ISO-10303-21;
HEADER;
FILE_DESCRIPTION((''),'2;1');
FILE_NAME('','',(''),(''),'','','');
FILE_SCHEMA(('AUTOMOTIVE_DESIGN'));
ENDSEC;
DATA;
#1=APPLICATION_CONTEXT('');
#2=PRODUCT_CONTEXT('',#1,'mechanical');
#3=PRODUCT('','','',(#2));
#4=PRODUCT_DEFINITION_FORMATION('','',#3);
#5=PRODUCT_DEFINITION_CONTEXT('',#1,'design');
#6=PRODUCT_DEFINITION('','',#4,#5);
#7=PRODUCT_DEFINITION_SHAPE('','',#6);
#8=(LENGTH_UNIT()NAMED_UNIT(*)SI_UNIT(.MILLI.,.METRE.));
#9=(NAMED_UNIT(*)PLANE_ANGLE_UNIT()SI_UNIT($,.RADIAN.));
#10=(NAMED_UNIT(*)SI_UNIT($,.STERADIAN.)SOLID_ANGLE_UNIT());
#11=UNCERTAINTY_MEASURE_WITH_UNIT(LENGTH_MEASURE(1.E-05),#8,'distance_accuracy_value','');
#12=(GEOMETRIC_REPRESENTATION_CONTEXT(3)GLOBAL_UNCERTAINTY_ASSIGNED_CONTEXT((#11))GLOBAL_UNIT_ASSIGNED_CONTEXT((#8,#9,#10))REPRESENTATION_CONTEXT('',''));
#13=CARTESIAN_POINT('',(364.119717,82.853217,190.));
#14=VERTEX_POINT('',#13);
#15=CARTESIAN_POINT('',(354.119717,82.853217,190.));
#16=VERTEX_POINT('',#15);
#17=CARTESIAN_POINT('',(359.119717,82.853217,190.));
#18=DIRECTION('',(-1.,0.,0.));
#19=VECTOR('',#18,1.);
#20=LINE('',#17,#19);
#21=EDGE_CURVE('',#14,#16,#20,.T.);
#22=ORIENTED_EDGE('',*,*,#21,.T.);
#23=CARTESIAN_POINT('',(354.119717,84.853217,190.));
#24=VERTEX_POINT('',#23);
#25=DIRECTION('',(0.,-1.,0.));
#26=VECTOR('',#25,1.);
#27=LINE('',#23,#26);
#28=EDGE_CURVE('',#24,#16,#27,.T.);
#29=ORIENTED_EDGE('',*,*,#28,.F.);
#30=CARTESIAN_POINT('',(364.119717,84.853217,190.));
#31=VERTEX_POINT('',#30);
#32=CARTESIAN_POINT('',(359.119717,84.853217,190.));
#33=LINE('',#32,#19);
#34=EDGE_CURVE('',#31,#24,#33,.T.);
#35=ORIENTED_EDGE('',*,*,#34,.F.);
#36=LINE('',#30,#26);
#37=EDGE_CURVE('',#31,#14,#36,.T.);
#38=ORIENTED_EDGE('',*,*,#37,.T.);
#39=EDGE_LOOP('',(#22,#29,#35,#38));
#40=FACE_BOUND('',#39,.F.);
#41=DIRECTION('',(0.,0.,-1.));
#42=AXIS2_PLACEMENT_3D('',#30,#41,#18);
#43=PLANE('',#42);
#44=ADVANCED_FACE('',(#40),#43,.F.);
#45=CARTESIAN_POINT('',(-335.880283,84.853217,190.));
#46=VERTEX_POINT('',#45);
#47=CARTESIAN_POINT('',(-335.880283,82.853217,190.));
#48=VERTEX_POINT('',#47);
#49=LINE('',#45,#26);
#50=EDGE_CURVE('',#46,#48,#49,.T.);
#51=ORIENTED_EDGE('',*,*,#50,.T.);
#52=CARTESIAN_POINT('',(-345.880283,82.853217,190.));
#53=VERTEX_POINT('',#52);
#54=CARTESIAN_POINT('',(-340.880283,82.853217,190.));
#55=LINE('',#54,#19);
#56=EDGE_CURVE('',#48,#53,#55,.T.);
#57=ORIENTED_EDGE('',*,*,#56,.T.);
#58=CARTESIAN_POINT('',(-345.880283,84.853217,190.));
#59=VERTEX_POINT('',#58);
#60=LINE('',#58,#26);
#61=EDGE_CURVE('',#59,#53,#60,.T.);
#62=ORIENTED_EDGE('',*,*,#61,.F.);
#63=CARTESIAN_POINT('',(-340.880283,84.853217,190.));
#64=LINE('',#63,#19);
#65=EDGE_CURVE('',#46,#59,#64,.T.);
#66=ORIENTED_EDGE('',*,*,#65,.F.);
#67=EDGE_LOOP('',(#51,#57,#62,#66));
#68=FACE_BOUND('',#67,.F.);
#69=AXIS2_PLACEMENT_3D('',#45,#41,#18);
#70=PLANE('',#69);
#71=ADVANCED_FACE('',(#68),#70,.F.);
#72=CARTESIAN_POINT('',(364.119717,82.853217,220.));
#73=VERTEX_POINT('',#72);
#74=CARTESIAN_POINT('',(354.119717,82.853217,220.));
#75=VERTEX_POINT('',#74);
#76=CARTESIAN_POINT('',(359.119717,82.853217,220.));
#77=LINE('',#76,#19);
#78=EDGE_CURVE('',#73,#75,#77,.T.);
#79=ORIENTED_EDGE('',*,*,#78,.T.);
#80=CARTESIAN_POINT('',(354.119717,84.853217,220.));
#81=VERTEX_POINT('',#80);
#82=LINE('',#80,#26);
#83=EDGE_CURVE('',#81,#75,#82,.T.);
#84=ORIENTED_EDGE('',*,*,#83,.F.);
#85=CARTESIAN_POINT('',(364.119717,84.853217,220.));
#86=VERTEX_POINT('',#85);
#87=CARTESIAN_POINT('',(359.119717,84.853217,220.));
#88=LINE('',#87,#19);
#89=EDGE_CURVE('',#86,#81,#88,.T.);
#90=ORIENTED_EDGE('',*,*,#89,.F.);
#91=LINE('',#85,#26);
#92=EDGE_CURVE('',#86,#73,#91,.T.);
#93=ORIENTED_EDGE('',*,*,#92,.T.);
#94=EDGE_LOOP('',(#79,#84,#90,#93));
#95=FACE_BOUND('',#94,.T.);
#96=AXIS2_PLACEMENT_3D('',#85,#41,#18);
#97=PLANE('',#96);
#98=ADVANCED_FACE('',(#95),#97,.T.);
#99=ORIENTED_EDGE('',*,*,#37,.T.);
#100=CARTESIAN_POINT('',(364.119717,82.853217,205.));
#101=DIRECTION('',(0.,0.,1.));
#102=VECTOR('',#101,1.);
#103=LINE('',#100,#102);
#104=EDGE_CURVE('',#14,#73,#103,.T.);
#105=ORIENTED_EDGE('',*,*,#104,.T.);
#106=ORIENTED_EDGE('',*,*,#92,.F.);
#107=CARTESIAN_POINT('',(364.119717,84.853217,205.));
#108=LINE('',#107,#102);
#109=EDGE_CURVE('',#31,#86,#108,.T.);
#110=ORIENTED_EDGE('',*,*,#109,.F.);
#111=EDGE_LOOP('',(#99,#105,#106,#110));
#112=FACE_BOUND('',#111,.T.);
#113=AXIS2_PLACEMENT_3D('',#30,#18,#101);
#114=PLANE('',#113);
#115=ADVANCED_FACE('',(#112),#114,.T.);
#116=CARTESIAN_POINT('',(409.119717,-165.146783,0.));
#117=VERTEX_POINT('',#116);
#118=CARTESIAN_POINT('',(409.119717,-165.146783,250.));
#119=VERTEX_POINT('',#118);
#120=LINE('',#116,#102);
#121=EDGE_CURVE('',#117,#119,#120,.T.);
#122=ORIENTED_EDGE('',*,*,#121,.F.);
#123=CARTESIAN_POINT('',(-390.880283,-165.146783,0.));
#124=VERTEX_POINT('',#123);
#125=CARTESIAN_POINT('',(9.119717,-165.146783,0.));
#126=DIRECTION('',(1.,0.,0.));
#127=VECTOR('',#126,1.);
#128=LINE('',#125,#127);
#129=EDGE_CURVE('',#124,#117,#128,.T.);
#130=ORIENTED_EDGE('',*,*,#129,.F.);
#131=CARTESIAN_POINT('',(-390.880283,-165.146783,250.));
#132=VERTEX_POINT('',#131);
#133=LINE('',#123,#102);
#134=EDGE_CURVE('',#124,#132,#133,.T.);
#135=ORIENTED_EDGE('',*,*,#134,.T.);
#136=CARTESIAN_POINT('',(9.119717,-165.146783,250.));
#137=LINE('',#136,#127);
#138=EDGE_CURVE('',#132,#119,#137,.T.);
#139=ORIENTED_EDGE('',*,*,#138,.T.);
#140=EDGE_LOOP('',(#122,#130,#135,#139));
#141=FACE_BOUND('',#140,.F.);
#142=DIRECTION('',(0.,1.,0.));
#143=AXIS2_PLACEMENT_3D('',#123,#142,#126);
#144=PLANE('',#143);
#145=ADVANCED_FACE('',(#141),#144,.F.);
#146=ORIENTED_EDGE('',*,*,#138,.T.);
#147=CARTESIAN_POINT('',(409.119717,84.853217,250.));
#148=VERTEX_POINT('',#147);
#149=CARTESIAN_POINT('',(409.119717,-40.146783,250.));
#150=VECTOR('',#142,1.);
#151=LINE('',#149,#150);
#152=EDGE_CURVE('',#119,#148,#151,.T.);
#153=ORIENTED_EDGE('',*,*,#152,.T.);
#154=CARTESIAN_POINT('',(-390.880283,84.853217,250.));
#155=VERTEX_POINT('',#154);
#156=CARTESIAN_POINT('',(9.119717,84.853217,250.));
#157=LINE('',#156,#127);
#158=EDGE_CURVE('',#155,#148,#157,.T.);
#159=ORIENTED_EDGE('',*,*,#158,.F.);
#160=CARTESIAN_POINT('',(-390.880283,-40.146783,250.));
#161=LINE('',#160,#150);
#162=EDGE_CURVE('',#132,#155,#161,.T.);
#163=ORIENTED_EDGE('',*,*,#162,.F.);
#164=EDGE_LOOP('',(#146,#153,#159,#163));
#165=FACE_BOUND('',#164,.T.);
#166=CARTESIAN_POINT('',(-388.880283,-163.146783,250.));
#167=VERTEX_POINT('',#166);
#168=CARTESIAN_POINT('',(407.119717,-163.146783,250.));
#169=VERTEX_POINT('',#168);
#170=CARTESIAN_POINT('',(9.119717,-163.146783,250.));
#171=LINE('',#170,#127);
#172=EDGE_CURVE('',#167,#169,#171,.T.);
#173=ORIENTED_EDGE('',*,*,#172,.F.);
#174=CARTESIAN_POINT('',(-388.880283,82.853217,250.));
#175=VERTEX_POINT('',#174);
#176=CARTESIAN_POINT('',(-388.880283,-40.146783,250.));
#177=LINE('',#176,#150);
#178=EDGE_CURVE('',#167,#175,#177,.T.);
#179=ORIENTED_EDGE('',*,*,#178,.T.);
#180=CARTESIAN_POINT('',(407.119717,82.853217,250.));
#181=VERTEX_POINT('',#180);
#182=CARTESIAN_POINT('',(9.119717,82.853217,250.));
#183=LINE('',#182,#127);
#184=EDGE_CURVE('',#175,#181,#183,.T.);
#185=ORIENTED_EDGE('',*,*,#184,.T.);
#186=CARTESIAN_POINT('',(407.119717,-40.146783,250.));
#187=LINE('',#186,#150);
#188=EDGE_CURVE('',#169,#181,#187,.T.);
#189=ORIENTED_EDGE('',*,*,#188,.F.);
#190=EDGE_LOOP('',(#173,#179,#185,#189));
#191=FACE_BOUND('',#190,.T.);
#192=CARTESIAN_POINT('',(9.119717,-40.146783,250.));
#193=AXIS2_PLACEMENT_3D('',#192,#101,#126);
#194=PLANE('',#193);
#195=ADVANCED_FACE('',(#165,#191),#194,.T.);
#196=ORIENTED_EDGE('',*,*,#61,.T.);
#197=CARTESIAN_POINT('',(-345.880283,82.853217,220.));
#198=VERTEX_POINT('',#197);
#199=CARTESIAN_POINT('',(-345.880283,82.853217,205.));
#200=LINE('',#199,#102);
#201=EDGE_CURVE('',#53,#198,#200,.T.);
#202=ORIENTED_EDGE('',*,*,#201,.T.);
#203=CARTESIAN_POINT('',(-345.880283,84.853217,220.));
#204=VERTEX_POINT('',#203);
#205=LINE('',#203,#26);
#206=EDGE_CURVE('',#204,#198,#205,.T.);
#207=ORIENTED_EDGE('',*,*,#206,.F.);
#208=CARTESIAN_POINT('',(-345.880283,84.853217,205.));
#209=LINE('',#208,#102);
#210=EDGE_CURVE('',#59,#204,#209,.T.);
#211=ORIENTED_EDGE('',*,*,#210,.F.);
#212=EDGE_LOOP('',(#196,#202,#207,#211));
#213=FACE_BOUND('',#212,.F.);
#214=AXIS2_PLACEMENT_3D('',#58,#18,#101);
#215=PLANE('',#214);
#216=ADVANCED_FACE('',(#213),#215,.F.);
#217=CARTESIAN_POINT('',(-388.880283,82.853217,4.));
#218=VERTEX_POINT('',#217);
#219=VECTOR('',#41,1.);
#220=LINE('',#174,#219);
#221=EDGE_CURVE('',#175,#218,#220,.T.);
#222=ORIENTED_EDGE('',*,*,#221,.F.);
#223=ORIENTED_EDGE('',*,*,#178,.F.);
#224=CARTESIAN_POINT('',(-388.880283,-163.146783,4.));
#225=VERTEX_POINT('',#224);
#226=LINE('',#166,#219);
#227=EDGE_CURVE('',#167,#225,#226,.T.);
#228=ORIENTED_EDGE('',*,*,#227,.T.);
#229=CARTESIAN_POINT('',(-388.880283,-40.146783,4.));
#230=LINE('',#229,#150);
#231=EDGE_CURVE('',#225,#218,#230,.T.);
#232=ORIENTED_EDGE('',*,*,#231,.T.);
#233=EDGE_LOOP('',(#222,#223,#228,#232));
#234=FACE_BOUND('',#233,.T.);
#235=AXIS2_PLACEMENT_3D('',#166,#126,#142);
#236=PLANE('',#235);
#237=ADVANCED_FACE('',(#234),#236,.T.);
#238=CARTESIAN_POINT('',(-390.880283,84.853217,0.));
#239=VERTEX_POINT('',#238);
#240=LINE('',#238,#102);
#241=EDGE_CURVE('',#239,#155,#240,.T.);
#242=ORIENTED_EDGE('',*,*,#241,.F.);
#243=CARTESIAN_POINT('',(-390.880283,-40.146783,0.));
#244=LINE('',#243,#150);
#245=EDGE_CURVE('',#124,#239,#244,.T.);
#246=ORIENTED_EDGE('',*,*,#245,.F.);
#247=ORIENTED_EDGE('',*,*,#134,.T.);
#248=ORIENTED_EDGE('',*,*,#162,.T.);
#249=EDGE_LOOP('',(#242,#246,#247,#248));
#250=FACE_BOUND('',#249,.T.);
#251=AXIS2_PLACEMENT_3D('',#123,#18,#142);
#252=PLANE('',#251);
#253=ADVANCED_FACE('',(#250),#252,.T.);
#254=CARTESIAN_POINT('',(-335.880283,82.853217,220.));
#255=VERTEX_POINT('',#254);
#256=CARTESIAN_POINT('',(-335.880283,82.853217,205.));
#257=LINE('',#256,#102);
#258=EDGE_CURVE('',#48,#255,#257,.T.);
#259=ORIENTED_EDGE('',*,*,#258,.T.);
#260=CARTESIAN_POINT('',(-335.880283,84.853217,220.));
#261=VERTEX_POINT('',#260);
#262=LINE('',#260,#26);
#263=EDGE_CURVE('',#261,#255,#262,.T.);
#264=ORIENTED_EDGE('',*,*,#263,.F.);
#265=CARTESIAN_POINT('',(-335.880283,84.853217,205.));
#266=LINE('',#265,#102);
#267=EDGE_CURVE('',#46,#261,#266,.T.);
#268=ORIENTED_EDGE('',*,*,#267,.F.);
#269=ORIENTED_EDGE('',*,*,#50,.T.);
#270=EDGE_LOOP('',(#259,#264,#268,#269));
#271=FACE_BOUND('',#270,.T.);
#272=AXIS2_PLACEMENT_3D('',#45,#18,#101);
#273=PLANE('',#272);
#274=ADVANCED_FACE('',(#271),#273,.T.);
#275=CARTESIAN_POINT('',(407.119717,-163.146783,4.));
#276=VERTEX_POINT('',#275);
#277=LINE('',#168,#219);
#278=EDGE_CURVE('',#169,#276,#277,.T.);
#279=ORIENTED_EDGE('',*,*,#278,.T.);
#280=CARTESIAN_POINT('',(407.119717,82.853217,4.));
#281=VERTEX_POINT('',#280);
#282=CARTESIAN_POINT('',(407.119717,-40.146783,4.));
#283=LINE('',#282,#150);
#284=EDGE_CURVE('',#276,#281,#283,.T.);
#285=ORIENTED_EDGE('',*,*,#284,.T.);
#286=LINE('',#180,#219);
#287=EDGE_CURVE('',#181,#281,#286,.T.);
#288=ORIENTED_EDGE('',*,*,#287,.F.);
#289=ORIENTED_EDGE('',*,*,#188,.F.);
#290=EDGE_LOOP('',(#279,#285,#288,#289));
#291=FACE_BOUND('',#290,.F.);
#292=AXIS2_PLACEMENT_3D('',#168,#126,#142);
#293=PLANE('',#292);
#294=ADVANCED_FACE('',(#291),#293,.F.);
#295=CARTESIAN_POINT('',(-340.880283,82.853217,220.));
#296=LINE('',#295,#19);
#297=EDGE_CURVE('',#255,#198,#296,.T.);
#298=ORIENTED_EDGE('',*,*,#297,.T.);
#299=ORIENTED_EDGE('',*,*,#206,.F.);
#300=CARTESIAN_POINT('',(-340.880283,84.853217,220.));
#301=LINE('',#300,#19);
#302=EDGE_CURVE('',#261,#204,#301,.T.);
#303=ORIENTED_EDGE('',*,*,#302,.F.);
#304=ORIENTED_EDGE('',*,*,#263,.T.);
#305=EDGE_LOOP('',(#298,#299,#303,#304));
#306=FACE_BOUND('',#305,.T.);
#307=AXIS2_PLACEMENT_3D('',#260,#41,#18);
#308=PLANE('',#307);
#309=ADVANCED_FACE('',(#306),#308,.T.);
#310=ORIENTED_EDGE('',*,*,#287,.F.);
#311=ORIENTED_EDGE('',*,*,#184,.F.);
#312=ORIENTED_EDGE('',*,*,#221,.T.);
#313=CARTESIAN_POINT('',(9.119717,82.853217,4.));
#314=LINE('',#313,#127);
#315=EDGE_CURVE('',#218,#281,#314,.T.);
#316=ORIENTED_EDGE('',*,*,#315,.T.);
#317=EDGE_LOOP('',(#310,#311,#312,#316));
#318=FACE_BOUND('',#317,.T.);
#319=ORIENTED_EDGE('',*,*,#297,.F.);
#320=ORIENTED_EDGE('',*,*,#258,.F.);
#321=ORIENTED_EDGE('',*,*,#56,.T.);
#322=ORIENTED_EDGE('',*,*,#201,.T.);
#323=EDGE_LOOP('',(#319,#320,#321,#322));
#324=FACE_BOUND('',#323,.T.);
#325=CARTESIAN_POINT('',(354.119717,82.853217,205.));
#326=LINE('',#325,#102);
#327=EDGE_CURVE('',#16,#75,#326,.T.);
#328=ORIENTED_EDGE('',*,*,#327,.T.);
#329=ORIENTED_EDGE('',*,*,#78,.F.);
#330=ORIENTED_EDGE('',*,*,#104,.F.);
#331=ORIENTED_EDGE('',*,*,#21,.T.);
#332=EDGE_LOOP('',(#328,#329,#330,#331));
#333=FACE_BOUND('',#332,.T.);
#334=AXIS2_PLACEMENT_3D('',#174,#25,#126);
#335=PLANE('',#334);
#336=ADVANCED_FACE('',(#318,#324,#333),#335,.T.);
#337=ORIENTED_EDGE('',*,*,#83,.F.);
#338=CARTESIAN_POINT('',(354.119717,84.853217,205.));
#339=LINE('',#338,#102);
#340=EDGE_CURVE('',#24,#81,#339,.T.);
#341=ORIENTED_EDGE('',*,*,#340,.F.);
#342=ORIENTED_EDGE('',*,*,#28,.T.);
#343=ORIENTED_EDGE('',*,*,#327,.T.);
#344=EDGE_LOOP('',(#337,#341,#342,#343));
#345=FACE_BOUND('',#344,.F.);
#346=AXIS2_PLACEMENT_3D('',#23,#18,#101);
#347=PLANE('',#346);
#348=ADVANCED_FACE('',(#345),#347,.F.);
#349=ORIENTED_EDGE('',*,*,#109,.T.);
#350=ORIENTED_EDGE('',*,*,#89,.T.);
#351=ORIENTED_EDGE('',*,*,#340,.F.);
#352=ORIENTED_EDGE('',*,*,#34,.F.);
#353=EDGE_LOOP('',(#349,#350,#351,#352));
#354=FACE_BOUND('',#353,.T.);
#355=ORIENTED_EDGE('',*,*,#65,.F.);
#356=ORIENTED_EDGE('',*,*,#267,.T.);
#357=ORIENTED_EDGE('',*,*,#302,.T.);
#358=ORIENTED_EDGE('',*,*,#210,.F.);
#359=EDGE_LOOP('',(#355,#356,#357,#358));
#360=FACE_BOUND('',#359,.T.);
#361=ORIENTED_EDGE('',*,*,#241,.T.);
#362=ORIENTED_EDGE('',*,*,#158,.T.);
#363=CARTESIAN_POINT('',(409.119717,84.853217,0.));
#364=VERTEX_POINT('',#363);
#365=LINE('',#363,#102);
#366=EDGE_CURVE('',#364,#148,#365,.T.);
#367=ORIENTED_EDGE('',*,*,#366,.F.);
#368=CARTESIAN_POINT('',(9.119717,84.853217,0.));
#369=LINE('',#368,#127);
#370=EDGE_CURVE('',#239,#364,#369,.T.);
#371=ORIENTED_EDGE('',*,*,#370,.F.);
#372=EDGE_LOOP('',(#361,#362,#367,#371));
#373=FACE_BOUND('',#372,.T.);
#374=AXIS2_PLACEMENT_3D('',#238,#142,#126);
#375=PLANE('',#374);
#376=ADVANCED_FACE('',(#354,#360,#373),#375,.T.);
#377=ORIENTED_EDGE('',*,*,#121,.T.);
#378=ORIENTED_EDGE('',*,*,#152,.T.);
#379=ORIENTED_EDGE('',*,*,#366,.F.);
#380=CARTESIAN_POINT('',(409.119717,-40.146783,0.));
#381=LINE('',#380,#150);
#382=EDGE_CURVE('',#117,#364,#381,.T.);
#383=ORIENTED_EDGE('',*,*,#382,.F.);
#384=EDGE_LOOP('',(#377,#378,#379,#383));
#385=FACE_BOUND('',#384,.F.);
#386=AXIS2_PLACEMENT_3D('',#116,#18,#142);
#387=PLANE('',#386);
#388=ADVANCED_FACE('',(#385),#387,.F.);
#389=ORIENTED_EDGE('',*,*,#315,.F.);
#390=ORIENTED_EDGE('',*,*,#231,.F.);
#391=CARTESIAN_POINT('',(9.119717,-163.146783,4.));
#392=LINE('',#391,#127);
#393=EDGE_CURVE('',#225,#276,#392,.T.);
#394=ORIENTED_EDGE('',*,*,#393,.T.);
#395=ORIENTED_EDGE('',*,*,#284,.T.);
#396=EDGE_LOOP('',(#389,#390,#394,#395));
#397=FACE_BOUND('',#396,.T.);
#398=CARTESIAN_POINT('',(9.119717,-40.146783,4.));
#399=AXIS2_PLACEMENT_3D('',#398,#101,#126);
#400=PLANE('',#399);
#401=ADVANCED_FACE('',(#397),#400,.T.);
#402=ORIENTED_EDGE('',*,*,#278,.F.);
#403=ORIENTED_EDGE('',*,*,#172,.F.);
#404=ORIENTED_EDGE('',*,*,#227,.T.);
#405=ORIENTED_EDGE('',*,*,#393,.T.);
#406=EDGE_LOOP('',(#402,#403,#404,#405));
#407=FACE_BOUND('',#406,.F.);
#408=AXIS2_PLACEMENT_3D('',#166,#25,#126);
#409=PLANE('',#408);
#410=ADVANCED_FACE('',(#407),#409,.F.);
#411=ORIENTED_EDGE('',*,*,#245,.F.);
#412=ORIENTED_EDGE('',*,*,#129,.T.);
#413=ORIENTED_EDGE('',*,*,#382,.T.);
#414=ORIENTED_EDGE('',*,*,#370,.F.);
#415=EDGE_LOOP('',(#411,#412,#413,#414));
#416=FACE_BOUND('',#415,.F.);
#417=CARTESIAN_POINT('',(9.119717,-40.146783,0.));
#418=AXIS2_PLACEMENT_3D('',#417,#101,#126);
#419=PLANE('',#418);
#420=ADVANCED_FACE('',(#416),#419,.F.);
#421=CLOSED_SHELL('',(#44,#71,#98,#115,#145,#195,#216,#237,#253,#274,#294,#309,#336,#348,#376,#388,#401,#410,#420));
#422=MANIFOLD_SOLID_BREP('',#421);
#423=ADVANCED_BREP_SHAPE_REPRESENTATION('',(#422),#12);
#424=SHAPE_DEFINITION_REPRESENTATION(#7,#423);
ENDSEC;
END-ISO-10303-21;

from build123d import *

# Parameters (mm, degrees)
F0_W     = 800
F0_H     = 250
F1_DEPTH = 250
F2_W     = 796
F2_H     = 246
F3_DEPTH = 246
F4_W     = 10
F4_H     = 30
F5_DEPTH = 2


with BuildPart() as f1:
    # F0 (on Top) → F1 (new body)
    with BuildSketch(Plane.XY):
        with Locations((9.119717, -40.146783)):
            Rectangle(F0_W, F0_H)
    extrude(amount=F1_DEPTH)

    # F2 (on face) → F3 (cut)
    with BuildSketch(Plane.XY.offset(250)):
        with Locations((9.119717, -40.146783)):
            Rectangle(F2_W, F2_H)
    extrude(amount=-F3_DEPTH, mode=Mode.SUBTRACT)

    # F4 (on face) → F5 (cut, through all)
    with BuildSketch(Plane(origin=(0, 84.853217, 0), x_dir=(-1, 0, 0), z_dir=(0, 1, 0))):
        with Locations((-359.119717, 205)):
            Rectangle(F4_W, F4_H)
        with Locations((340.880283, 205)):
            Rectangle(F4_W, F4_H)
    extrude(amount=-F5_DEPTH, mode=Mode.SUBTRACT)


solid = f1.part
